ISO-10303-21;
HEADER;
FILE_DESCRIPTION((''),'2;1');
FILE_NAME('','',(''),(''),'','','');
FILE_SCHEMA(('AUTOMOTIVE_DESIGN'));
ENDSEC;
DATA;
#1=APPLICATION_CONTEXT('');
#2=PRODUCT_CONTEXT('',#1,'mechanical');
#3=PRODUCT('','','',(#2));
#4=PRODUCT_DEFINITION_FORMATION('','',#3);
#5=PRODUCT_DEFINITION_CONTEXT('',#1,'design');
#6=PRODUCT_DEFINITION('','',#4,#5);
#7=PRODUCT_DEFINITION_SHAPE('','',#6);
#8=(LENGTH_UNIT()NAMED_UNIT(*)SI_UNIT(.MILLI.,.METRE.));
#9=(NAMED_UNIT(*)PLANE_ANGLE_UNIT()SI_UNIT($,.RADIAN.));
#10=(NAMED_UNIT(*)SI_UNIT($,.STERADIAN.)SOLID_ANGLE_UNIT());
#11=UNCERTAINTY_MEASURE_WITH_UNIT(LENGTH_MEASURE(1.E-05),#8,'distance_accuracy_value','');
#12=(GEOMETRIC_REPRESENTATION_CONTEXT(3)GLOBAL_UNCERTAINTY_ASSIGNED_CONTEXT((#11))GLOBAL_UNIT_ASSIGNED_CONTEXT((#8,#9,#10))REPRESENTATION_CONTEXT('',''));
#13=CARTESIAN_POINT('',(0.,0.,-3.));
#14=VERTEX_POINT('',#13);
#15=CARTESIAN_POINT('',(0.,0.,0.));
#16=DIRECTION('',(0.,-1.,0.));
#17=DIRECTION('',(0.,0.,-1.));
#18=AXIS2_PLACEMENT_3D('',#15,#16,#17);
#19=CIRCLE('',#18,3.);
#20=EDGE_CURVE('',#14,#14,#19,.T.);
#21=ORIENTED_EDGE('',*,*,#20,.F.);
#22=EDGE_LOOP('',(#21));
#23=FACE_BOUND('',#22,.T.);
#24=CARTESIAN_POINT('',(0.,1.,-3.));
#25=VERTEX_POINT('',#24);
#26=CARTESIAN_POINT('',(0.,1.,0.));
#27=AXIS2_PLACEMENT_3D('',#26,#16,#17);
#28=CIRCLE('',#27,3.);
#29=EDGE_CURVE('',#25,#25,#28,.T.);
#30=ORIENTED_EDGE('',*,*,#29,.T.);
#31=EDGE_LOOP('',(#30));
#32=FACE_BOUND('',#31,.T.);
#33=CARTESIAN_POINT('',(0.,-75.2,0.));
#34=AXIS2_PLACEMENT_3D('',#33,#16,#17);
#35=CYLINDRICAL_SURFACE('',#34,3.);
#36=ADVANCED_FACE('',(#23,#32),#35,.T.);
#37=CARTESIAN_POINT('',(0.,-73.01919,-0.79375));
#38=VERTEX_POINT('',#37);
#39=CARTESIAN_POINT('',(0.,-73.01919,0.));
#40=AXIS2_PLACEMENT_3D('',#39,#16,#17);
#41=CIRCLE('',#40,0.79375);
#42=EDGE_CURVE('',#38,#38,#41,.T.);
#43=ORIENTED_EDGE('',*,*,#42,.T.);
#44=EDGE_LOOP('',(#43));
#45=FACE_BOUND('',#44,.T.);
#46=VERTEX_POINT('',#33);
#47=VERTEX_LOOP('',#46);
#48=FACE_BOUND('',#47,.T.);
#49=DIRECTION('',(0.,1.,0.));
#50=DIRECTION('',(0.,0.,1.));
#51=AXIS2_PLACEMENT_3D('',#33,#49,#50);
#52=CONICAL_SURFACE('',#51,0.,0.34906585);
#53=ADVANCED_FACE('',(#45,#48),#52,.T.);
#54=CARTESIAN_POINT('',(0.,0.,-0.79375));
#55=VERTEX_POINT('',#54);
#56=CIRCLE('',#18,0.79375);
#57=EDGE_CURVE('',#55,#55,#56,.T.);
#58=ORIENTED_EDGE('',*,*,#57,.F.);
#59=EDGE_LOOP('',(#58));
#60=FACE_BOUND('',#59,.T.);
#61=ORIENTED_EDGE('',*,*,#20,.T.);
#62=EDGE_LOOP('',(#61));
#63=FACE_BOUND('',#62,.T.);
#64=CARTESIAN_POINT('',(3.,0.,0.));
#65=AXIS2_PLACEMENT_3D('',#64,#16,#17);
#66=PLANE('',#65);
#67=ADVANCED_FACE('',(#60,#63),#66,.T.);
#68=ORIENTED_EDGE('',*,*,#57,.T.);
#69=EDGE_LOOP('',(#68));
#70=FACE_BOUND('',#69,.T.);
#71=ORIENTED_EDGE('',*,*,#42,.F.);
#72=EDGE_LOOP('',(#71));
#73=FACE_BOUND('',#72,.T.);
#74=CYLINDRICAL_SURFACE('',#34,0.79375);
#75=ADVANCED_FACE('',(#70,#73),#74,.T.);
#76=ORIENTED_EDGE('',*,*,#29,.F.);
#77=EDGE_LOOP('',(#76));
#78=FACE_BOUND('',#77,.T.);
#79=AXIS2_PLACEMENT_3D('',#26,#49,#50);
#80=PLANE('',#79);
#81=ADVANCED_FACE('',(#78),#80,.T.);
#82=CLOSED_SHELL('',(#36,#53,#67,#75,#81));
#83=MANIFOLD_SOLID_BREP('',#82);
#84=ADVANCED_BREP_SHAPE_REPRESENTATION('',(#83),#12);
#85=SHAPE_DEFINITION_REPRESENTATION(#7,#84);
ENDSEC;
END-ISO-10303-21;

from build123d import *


with BuildPart() as part:
    # Sketch1 → Revolve1 (revolve)
    with BuildSketch(Plane.XY, mode=Mode.PRIVATE) as revolve1_sk:
        Polygon((0, 1), (3, 1), (3, 0), (0.79375, 0), (0.79375, -73.019189798), (0, -75.2), align=None)
    revolve(revolve1_sk.sketch.rotate(Axis((0, -75.2, 0), (0, 1, 0)), 90), axis=Axis((0, -75.2, 0), (0, 1, 0)))


solid = part.part
